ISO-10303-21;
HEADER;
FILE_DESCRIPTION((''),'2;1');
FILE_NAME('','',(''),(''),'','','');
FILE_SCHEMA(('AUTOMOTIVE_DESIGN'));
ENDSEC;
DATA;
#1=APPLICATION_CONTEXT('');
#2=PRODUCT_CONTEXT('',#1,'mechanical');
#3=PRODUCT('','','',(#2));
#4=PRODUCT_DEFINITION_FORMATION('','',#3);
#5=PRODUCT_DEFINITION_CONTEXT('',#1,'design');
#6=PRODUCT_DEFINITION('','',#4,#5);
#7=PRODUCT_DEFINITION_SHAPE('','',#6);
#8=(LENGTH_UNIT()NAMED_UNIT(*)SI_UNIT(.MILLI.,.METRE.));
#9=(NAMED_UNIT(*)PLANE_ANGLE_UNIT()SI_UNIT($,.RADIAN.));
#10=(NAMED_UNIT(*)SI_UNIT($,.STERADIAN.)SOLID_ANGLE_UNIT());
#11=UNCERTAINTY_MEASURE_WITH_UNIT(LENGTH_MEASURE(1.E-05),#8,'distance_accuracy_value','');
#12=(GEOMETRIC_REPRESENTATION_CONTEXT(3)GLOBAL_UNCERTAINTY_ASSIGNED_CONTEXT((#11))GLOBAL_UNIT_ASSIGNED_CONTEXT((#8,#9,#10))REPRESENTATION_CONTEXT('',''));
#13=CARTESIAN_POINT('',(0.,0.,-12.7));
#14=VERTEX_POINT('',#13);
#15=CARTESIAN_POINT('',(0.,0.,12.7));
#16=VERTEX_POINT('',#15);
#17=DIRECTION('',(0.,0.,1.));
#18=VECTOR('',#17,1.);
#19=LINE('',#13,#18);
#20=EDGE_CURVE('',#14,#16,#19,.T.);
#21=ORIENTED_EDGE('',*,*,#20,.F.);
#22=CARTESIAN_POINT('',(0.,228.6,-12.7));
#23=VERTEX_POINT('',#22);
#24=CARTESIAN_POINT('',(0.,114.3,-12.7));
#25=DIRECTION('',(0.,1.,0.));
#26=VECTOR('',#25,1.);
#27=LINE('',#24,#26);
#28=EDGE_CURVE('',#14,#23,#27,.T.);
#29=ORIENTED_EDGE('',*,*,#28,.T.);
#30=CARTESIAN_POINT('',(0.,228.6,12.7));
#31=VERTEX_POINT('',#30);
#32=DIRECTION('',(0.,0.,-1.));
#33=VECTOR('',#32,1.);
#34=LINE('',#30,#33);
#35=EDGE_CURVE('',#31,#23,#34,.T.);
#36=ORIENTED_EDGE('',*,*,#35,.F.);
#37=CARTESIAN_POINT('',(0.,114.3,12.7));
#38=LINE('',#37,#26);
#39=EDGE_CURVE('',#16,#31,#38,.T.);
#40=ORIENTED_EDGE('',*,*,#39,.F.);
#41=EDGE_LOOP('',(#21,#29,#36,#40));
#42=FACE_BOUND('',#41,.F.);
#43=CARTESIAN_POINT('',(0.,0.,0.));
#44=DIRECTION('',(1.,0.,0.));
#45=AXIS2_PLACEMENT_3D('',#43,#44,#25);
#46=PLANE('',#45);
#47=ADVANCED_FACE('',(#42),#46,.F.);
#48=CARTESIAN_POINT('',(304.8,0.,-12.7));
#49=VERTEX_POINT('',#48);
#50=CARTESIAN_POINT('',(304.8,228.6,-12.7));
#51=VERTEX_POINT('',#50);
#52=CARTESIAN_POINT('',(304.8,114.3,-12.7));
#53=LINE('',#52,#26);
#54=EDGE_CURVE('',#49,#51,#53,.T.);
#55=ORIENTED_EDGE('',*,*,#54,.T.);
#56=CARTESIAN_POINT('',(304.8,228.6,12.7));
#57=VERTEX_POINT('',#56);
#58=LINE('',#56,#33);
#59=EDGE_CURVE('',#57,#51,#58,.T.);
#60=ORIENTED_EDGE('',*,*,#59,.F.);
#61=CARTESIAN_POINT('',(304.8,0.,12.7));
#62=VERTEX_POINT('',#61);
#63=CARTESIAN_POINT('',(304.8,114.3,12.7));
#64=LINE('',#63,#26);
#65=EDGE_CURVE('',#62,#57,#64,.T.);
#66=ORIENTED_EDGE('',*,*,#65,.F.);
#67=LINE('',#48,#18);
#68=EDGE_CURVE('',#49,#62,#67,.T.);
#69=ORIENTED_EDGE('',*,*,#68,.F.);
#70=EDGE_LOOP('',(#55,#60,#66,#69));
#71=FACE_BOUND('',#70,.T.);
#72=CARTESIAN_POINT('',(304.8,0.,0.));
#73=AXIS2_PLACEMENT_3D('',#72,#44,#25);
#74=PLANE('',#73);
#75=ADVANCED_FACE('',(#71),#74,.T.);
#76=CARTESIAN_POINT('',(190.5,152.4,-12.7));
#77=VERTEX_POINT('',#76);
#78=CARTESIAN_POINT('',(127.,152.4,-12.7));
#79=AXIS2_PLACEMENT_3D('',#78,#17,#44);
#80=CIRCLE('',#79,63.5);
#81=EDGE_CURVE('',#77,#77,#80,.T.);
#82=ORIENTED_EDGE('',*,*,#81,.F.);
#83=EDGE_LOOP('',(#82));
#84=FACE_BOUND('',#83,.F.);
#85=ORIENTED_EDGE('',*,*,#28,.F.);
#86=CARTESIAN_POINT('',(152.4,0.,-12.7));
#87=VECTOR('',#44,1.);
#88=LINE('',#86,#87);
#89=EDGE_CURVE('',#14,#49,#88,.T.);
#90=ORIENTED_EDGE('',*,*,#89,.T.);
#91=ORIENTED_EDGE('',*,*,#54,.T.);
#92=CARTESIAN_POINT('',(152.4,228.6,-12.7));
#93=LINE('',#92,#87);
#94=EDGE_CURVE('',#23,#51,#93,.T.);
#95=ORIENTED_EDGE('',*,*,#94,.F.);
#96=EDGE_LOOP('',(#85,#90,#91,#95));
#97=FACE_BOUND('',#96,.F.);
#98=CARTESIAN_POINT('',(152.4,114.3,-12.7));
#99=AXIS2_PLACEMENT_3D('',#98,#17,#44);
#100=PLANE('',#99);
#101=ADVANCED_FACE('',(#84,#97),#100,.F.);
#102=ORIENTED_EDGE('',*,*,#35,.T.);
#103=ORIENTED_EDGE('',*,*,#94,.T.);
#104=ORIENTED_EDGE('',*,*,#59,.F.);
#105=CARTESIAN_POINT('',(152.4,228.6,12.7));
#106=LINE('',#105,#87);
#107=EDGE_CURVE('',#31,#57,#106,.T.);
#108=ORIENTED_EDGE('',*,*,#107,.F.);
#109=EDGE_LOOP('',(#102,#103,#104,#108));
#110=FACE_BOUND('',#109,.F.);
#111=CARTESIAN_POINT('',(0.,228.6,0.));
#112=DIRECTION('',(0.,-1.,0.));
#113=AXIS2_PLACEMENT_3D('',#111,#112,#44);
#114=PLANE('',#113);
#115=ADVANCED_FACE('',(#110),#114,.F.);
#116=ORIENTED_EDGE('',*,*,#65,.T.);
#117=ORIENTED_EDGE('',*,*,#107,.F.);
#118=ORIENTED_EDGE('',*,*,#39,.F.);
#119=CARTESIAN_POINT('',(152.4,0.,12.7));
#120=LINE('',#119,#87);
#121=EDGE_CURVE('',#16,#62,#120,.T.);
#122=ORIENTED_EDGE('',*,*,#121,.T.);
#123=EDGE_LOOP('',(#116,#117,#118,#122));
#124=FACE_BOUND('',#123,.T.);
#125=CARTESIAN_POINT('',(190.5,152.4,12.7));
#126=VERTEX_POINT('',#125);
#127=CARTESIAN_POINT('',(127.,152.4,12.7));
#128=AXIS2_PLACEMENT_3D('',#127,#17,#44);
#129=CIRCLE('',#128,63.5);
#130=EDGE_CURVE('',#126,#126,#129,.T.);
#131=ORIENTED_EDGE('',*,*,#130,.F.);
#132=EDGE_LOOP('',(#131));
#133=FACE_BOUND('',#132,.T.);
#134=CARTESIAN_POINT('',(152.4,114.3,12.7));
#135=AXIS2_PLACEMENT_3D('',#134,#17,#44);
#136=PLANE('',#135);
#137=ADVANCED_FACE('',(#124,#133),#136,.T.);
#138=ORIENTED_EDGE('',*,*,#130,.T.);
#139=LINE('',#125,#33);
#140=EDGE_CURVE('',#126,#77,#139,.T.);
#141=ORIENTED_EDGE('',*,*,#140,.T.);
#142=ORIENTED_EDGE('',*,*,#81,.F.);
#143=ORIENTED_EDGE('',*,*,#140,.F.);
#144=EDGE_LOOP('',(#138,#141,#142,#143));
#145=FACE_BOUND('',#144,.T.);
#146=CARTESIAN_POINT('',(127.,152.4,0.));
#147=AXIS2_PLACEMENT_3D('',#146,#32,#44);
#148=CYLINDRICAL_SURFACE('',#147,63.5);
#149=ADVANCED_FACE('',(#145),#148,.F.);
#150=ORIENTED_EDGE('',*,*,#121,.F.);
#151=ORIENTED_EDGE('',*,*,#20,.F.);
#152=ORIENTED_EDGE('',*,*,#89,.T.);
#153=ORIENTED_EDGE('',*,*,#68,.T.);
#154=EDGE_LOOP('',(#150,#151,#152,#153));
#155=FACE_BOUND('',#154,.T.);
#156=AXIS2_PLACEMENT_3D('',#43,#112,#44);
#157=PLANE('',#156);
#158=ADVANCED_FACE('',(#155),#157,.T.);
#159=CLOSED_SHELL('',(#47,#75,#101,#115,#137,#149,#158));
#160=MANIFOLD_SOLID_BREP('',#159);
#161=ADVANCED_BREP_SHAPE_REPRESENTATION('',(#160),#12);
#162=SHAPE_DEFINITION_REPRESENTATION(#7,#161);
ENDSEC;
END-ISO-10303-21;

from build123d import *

# Parameters (mm, degrees)
F0_W     = 304.8
F0_H     = 228.6
F0_R     = 63.5
F1_DEPTH = 12.7


with BuildPart() as f1:
    # F0 (on Top) → F1 (new body, symmetric)
    with BuildSketch(Plane.XY):
        with Locations((152.4, 114.3)):
            Rectangle(F0_W, F0_H)
        with Locations((127, 152.4)):
            Circle(F0_R, mode=Mode.SUBTRACT)
    extrude(amount=F1_DEPTH, both=True)


solid = f1.part
